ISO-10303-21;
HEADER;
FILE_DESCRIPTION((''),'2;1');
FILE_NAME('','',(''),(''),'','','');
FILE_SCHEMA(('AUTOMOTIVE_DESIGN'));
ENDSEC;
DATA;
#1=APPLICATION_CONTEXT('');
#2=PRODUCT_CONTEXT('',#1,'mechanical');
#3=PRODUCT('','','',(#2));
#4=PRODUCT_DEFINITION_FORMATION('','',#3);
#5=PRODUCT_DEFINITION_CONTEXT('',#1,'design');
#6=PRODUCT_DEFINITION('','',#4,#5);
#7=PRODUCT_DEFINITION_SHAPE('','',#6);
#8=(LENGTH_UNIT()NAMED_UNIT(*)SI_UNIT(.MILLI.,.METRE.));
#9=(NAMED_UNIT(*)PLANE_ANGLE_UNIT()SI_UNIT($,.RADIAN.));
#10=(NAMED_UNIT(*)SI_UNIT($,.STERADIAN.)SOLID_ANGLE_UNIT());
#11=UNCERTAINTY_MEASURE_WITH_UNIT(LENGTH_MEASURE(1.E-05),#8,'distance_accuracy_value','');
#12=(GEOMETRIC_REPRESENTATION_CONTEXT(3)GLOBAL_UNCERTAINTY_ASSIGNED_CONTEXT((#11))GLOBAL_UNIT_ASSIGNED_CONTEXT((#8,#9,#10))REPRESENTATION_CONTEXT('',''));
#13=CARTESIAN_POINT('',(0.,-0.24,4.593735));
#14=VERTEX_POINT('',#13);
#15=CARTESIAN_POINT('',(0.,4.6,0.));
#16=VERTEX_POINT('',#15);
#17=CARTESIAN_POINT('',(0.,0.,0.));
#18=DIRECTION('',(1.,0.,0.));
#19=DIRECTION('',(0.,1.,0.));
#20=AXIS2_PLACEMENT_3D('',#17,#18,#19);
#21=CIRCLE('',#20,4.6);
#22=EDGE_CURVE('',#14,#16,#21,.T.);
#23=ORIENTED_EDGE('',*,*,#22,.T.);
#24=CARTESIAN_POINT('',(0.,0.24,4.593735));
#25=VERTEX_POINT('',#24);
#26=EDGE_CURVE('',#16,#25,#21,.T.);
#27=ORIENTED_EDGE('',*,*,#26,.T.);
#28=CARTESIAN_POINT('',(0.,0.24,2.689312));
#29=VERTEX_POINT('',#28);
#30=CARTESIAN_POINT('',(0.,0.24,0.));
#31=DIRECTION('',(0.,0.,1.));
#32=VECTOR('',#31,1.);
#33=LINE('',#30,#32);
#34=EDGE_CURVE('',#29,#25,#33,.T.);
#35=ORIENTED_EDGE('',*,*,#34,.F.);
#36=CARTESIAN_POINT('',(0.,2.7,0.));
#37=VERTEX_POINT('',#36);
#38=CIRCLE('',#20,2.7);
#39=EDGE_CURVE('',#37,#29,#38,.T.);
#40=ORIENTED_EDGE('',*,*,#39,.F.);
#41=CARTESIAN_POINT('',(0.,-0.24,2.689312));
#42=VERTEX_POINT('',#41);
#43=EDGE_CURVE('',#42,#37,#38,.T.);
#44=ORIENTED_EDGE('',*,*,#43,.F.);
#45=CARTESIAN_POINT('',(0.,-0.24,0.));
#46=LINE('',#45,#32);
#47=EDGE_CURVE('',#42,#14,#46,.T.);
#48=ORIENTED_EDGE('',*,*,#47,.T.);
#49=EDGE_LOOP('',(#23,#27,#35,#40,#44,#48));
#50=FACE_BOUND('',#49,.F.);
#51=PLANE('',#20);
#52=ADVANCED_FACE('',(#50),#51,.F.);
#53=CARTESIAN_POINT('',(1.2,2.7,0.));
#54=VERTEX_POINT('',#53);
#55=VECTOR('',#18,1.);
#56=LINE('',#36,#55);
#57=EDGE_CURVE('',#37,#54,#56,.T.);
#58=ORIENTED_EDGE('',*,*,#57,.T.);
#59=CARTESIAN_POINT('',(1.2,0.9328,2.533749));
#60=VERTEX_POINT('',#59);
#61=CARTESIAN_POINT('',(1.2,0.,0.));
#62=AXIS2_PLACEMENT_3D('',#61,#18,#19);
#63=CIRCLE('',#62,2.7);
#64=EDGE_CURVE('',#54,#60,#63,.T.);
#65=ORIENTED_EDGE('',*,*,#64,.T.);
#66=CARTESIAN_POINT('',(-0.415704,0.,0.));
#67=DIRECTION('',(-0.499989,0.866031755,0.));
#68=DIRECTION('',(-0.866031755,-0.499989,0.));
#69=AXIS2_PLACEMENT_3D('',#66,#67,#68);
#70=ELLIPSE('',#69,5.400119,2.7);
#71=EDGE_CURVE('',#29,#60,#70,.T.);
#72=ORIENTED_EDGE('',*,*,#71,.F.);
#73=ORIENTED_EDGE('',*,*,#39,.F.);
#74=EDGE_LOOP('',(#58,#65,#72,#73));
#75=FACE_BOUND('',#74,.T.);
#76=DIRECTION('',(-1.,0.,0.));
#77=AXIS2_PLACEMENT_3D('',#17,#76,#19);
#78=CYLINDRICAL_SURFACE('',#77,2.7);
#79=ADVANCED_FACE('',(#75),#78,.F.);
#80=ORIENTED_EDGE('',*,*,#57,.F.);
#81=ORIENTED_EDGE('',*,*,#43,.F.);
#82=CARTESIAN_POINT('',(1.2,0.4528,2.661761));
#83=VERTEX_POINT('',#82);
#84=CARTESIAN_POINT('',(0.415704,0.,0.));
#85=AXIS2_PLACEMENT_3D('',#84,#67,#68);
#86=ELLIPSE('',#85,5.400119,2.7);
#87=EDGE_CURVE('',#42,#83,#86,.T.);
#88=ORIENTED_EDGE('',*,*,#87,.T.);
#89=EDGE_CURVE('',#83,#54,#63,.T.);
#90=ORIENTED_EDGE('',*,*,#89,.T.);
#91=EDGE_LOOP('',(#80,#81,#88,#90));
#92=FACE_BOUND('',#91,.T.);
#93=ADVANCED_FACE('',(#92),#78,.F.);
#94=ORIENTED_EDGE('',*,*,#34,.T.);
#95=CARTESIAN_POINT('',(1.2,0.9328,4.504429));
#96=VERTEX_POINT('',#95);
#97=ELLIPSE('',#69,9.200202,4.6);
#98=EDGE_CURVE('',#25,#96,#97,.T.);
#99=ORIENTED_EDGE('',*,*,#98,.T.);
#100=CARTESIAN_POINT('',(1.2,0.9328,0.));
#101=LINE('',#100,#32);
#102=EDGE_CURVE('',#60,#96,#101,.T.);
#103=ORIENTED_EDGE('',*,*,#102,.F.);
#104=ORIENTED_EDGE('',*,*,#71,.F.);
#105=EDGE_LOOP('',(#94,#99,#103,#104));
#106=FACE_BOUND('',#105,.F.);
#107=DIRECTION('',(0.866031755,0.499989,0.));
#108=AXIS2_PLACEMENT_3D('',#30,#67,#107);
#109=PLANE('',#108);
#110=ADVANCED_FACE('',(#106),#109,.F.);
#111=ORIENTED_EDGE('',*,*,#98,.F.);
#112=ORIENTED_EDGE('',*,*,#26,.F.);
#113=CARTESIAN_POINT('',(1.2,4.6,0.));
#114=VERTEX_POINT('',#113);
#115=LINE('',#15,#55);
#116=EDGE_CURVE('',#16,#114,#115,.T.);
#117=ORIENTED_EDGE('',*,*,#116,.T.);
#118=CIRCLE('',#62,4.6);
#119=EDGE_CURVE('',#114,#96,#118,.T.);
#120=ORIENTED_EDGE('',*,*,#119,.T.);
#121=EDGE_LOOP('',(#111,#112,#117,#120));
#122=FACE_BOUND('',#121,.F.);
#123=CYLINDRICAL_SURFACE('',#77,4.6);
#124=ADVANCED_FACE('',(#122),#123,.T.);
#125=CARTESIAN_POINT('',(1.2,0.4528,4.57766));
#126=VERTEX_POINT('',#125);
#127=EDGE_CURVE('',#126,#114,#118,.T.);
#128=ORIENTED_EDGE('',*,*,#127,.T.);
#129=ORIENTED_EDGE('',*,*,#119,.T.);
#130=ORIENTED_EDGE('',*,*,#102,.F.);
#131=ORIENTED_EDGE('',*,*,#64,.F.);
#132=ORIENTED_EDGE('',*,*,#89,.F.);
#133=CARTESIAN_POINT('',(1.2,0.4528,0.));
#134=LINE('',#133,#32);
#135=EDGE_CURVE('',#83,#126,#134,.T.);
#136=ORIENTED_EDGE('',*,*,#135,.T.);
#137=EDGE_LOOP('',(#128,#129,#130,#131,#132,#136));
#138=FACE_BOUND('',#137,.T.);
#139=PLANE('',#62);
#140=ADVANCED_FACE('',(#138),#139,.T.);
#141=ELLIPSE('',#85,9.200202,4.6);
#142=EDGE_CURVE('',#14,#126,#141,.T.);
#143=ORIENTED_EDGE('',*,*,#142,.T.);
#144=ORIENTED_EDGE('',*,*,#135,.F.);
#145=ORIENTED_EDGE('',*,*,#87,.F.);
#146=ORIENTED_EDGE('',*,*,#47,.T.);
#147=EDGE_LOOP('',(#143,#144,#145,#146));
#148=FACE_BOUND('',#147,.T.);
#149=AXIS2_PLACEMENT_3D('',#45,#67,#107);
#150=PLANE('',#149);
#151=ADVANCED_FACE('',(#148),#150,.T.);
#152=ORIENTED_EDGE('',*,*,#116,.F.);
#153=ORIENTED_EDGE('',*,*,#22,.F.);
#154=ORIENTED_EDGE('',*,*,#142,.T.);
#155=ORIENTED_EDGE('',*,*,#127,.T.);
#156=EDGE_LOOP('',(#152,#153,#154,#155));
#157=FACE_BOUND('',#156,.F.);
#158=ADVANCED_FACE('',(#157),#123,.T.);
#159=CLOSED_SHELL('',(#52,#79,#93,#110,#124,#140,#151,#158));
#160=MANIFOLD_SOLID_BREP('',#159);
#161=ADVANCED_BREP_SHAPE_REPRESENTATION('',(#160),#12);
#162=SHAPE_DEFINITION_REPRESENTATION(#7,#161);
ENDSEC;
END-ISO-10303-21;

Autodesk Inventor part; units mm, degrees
ref_plane "YZ Plane" through (0, 0, 0) normal (1, 0, 0) x (0, 1, 0)
ref_plane "XZ Plane" through (0, 0, 0) normal (0, 1, 0) x (-1, 0, 0)
sketch "Эскиз1" plane through (0, 0, 0) normal (1, 0, 0) x (0, 1, 0)
  circle A0 centre (0, 0) radius 4.6
  circle A1 centre (0, 0) radius 2.7
  dimension "d0" = 5.4
  dimension "d1" = 9.2
extrude "Базовый элемент" add sketch "Эскиз1" along normal blind 1.2
sketch "Эскиз2" plane through (0, 0, 0) normal (0, 0, 1) x (1, 0, 0)
  line L0 (0, -2.7) -> (0, 2.7) projected
  line L1 (1.2, 4.6) -> (1.2, -4.6) projected
  line L2 (-1.2, 0) -> (7.2, 0) projected
  line L3 (0, -0.24) -> (1.2, 0.4528)
  line L4 (0, 0.24) -> (1.2, 0.9328)
  dimension "d4" = 0.24
  dimension "d5" = 0.24
  dimension "d6" = 60
extrude "Вырез" cut sketch "Эскиз2" along normal up to next contours L0 L2 L3 | L0 L4 L1 L3 L2
ref_plane "Work Plane1" through (0, 0, 0) normal (0, -1, 0) x (1, 0, 0)
equation "\"d0\" = SD1"
equation "\"d1\" = SD2"
equation "\"d2\" = SD"
equation "\"d4\" = 0.2 * SD"
equation "\"d5\" = 0.2 * SD"
equation "\"d6\" = FAWI"
equation "\"d7\" = SD"
equation "\"SD1\" = 5.4"
equation "\"SD2\" = 9.2"
equation "\"SD\" = 1.2"
equation "\"FAWI\" = 60deg"
equation "\"NND\" = 5"
properties part number "DIN 127 - A 5" material "Сталь, мягкая"
